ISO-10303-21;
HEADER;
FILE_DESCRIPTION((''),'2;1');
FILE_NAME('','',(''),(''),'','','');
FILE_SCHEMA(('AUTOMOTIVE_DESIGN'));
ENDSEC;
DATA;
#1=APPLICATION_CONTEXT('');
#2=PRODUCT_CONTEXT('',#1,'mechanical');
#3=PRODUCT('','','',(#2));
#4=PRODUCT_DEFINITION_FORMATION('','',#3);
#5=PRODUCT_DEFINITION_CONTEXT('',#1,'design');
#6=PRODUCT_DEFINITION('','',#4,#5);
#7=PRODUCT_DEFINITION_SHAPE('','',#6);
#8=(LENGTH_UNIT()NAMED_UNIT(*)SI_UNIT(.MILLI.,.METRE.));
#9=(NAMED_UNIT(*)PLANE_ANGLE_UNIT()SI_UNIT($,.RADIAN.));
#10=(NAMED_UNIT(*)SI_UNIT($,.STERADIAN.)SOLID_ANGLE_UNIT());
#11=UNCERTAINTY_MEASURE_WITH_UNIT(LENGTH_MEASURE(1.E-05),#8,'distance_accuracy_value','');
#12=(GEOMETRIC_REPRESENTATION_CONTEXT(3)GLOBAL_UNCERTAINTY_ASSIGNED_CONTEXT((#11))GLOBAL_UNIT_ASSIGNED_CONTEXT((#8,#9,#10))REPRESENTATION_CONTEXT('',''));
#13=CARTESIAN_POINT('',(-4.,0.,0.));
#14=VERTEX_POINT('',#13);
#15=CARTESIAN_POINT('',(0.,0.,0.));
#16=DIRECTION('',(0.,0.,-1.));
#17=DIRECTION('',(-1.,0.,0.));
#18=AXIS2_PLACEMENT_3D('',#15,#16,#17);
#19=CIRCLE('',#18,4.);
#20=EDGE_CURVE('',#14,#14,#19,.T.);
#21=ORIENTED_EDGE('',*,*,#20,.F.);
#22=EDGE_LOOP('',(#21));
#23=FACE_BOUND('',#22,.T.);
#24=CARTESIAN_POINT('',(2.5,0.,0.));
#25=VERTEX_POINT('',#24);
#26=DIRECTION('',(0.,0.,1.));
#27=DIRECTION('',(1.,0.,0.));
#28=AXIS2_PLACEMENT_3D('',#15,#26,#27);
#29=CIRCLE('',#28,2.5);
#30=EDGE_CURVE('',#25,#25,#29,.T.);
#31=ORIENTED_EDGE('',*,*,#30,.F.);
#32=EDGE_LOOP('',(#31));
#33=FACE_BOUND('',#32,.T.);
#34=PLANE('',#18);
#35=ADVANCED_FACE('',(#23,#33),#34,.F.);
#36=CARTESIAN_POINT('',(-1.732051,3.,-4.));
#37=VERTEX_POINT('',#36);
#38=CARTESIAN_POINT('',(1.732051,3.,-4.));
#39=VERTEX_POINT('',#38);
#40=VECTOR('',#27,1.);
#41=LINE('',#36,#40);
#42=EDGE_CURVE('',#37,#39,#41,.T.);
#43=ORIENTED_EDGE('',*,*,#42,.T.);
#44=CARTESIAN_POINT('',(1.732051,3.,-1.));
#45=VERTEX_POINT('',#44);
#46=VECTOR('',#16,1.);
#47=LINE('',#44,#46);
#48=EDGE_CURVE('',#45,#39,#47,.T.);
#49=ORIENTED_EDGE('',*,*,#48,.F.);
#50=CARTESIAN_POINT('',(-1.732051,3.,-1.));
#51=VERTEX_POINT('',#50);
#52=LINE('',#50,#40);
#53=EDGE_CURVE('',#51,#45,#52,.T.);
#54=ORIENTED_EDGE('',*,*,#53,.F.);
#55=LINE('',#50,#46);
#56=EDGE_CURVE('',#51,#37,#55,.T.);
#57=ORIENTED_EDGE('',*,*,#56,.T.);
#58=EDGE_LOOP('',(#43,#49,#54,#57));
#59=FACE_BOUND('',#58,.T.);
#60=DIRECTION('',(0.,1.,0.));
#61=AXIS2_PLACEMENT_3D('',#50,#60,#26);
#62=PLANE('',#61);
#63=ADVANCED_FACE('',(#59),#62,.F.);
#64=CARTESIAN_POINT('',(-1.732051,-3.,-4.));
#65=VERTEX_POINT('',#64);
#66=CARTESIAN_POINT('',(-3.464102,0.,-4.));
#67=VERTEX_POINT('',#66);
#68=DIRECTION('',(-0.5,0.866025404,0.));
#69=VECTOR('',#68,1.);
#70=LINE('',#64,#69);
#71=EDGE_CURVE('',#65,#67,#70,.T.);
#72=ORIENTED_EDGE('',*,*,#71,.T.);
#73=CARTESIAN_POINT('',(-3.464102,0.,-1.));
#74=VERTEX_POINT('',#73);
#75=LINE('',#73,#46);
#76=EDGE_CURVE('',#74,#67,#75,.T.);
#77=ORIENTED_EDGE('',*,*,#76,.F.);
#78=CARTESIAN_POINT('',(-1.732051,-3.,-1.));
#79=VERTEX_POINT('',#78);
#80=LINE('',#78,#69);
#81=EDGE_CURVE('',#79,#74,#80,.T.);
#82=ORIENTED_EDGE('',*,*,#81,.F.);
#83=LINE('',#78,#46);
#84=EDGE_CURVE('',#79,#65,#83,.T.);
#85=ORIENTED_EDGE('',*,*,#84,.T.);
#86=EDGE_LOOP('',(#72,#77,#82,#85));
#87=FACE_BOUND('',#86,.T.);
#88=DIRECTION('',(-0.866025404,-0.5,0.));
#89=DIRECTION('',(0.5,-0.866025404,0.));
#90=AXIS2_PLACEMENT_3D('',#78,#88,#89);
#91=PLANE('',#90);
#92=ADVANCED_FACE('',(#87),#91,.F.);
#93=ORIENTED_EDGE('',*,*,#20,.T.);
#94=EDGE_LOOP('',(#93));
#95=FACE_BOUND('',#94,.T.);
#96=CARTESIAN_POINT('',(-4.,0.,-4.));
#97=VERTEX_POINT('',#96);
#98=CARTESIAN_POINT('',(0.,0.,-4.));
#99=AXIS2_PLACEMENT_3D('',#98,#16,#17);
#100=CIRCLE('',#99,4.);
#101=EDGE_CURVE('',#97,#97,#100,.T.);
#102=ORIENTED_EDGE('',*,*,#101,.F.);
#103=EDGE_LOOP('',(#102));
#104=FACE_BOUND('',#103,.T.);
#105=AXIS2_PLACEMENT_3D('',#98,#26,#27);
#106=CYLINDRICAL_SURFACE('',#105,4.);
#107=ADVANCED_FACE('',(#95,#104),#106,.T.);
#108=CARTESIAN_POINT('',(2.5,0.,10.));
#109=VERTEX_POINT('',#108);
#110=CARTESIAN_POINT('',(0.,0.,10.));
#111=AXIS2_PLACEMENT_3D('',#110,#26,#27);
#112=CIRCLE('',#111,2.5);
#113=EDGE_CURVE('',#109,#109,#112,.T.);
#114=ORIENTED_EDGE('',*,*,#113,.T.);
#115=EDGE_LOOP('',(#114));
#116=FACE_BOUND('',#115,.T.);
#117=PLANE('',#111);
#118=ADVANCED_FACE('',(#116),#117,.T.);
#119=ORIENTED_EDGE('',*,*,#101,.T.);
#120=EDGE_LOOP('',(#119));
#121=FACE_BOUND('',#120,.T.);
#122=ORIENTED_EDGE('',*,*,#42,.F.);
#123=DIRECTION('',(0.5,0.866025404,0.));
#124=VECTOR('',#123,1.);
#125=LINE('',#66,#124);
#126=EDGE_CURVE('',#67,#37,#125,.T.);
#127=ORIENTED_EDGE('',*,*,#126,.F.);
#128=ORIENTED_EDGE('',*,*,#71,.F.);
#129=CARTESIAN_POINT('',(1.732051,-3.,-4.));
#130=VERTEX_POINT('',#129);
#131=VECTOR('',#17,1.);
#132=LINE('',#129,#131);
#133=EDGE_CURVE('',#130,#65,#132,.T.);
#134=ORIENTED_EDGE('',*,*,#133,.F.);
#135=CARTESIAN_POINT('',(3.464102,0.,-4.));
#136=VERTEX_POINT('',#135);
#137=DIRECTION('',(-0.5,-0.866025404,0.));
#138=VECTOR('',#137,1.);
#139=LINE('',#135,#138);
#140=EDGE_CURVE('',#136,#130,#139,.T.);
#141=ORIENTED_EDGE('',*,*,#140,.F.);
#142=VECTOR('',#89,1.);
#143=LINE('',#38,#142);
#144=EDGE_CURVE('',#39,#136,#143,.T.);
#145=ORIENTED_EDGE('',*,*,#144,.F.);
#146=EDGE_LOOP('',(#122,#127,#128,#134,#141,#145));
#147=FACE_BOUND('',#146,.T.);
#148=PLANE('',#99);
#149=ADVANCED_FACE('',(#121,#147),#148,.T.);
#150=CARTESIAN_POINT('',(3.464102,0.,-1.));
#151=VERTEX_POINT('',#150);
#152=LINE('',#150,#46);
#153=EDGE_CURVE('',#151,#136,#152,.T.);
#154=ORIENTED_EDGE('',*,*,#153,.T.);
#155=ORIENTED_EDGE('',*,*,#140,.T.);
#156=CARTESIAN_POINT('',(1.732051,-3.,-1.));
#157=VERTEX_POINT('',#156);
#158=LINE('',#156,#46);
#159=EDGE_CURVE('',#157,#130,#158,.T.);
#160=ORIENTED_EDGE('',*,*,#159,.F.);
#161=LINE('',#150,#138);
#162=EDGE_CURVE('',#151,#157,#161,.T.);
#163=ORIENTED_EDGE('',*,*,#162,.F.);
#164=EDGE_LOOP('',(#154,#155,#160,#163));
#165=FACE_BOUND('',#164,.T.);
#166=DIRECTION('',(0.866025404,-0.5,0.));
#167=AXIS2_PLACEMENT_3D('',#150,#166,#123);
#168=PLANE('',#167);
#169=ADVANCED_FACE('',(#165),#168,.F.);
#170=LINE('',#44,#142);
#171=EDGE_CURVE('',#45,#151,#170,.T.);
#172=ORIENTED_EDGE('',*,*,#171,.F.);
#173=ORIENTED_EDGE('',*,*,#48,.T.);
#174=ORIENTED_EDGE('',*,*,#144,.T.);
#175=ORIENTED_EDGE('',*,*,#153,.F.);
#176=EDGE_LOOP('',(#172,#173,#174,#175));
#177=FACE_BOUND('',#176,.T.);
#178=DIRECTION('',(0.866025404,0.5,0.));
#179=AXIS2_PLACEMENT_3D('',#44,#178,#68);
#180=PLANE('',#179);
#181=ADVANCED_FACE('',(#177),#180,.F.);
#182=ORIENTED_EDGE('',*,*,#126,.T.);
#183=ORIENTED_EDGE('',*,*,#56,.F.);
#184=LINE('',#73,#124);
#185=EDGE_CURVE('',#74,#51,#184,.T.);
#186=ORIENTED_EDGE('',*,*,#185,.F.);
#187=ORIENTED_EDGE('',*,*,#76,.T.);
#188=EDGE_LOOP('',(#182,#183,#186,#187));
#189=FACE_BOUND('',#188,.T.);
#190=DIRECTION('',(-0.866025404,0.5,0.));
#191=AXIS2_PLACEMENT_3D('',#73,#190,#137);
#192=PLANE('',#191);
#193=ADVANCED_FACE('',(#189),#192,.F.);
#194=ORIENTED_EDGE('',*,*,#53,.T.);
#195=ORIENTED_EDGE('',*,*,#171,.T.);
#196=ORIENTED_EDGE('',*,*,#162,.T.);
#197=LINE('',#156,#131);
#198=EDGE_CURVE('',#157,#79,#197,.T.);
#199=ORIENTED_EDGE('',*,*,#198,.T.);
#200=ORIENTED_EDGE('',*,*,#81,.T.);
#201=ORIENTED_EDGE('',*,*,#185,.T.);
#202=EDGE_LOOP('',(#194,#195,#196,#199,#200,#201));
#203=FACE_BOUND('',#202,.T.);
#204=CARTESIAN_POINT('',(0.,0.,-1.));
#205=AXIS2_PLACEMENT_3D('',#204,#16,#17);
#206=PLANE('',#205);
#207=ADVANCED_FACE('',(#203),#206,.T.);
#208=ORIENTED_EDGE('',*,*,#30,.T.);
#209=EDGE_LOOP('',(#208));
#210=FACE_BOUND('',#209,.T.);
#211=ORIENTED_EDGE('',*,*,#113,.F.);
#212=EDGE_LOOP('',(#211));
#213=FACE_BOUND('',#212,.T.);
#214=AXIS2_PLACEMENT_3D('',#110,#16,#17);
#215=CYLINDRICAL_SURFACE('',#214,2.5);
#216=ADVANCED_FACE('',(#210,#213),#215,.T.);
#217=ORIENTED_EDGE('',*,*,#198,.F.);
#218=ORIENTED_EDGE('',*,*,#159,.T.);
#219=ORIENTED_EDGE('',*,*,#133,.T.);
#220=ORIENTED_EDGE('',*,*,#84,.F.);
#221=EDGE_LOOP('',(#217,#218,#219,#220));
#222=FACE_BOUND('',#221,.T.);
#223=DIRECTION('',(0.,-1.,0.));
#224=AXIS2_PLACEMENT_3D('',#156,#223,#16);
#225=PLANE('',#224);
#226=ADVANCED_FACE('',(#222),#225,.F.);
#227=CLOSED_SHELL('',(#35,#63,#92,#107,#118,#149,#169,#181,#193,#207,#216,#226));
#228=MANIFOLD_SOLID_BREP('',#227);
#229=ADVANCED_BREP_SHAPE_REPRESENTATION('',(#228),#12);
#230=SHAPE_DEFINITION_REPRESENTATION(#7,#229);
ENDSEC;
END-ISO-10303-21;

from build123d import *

# Parameters (mm, degrees)
SKETCH1_R           = 2.5
BOSS_EXTRUDE1_DEPTH = 10
SKETCH2_R           = 4
BOSS_EXTRUDE2_DEPTH = 4
CUT_EXTRUDE1_DEPTH  = 3


with BuildPart() as part:
    # Sketch1 → Boss-Extrude1 (new body)
    with BuildSketch(Plane.XY):
        Circle(SKETCH1_R)
    extrude(amount=BOSS_EXTRUDE1_DEPTH)

    # Sketch2 → Boss-Extrude2 (add)
    with BuildSketch(Plane(origin=(0, 0, 0), x_dir=(-1, 0, 0), z_dir=(0, 0, -1))):
        Circle(SKETCH2_R)
    extrude(amount=BOSS_EXTRUDE2_DEPTH)

    # Sketch3 → Cut-Extrude1 (cut)
    with BuildSketch(Plane(origin=(0, 0, -4), x_dir=(-1, 0, 0), z_dir=(0, 0, -1))):
        Polygon((1.732050808, -3), (3.464101615, 0), (1.732050808, 3), (-1.732050808, 3), (-3.464101615, 0), (-1.732050808, -3), align=None)
    extrude(amount=-CUT_EXTRUDE1_DEPTH, mode=Mode.SUBTRACT)


solid = part.part
